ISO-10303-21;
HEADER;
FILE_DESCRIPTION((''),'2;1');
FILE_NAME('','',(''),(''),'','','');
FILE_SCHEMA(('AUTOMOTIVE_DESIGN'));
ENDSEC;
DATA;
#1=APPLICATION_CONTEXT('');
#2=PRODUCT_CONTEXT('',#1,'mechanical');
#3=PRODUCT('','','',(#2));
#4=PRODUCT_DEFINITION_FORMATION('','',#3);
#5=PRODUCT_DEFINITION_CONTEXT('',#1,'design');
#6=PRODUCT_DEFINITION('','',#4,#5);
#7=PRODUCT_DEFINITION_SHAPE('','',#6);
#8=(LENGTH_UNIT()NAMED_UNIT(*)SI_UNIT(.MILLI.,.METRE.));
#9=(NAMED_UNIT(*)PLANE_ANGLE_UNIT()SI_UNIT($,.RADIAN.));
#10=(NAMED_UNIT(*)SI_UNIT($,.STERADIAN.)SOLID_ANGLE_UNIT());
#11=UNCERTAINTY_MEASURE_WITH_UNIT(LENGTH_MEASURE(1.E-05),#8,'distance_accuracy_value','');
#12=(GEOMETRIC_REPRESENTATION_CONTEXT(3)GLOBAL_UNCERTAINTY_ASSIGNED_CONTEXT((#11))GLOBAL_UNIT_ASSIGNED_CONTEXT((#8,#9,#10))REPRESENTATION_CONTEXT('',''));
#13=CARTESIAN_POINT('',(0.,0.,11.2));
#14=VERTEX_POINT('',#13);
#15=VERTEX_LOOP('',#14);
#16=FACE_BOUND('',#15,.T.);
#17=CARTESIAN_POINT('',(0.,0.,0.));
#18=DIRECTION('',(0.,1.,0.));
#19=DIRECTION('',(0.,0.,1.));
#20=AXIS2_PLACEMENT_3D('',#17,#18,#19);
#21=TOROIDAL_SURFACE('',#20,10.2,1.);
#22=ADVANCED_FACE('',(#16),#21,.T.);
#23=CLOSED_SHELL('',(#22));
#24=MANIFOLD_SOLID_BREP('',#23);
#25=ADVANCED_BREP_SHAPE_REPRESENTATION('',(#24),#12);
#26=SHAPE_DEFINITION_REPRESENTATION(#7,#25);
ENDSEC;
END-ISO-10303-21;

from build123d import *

# Parameters (mm, degrees)
SKETCH1_R = 1


with BuildPart() as part:
    # Sketch1 → Revolve1 (revolve)
    with BuildSketch(Plane.XY):
        with Locations((-10.2, 0)):
            Circle(SKETCH1_R)
    revolve(axis=Axis((0, 14.080317926, 0), (0, -1, 0)))


solid = part.part
